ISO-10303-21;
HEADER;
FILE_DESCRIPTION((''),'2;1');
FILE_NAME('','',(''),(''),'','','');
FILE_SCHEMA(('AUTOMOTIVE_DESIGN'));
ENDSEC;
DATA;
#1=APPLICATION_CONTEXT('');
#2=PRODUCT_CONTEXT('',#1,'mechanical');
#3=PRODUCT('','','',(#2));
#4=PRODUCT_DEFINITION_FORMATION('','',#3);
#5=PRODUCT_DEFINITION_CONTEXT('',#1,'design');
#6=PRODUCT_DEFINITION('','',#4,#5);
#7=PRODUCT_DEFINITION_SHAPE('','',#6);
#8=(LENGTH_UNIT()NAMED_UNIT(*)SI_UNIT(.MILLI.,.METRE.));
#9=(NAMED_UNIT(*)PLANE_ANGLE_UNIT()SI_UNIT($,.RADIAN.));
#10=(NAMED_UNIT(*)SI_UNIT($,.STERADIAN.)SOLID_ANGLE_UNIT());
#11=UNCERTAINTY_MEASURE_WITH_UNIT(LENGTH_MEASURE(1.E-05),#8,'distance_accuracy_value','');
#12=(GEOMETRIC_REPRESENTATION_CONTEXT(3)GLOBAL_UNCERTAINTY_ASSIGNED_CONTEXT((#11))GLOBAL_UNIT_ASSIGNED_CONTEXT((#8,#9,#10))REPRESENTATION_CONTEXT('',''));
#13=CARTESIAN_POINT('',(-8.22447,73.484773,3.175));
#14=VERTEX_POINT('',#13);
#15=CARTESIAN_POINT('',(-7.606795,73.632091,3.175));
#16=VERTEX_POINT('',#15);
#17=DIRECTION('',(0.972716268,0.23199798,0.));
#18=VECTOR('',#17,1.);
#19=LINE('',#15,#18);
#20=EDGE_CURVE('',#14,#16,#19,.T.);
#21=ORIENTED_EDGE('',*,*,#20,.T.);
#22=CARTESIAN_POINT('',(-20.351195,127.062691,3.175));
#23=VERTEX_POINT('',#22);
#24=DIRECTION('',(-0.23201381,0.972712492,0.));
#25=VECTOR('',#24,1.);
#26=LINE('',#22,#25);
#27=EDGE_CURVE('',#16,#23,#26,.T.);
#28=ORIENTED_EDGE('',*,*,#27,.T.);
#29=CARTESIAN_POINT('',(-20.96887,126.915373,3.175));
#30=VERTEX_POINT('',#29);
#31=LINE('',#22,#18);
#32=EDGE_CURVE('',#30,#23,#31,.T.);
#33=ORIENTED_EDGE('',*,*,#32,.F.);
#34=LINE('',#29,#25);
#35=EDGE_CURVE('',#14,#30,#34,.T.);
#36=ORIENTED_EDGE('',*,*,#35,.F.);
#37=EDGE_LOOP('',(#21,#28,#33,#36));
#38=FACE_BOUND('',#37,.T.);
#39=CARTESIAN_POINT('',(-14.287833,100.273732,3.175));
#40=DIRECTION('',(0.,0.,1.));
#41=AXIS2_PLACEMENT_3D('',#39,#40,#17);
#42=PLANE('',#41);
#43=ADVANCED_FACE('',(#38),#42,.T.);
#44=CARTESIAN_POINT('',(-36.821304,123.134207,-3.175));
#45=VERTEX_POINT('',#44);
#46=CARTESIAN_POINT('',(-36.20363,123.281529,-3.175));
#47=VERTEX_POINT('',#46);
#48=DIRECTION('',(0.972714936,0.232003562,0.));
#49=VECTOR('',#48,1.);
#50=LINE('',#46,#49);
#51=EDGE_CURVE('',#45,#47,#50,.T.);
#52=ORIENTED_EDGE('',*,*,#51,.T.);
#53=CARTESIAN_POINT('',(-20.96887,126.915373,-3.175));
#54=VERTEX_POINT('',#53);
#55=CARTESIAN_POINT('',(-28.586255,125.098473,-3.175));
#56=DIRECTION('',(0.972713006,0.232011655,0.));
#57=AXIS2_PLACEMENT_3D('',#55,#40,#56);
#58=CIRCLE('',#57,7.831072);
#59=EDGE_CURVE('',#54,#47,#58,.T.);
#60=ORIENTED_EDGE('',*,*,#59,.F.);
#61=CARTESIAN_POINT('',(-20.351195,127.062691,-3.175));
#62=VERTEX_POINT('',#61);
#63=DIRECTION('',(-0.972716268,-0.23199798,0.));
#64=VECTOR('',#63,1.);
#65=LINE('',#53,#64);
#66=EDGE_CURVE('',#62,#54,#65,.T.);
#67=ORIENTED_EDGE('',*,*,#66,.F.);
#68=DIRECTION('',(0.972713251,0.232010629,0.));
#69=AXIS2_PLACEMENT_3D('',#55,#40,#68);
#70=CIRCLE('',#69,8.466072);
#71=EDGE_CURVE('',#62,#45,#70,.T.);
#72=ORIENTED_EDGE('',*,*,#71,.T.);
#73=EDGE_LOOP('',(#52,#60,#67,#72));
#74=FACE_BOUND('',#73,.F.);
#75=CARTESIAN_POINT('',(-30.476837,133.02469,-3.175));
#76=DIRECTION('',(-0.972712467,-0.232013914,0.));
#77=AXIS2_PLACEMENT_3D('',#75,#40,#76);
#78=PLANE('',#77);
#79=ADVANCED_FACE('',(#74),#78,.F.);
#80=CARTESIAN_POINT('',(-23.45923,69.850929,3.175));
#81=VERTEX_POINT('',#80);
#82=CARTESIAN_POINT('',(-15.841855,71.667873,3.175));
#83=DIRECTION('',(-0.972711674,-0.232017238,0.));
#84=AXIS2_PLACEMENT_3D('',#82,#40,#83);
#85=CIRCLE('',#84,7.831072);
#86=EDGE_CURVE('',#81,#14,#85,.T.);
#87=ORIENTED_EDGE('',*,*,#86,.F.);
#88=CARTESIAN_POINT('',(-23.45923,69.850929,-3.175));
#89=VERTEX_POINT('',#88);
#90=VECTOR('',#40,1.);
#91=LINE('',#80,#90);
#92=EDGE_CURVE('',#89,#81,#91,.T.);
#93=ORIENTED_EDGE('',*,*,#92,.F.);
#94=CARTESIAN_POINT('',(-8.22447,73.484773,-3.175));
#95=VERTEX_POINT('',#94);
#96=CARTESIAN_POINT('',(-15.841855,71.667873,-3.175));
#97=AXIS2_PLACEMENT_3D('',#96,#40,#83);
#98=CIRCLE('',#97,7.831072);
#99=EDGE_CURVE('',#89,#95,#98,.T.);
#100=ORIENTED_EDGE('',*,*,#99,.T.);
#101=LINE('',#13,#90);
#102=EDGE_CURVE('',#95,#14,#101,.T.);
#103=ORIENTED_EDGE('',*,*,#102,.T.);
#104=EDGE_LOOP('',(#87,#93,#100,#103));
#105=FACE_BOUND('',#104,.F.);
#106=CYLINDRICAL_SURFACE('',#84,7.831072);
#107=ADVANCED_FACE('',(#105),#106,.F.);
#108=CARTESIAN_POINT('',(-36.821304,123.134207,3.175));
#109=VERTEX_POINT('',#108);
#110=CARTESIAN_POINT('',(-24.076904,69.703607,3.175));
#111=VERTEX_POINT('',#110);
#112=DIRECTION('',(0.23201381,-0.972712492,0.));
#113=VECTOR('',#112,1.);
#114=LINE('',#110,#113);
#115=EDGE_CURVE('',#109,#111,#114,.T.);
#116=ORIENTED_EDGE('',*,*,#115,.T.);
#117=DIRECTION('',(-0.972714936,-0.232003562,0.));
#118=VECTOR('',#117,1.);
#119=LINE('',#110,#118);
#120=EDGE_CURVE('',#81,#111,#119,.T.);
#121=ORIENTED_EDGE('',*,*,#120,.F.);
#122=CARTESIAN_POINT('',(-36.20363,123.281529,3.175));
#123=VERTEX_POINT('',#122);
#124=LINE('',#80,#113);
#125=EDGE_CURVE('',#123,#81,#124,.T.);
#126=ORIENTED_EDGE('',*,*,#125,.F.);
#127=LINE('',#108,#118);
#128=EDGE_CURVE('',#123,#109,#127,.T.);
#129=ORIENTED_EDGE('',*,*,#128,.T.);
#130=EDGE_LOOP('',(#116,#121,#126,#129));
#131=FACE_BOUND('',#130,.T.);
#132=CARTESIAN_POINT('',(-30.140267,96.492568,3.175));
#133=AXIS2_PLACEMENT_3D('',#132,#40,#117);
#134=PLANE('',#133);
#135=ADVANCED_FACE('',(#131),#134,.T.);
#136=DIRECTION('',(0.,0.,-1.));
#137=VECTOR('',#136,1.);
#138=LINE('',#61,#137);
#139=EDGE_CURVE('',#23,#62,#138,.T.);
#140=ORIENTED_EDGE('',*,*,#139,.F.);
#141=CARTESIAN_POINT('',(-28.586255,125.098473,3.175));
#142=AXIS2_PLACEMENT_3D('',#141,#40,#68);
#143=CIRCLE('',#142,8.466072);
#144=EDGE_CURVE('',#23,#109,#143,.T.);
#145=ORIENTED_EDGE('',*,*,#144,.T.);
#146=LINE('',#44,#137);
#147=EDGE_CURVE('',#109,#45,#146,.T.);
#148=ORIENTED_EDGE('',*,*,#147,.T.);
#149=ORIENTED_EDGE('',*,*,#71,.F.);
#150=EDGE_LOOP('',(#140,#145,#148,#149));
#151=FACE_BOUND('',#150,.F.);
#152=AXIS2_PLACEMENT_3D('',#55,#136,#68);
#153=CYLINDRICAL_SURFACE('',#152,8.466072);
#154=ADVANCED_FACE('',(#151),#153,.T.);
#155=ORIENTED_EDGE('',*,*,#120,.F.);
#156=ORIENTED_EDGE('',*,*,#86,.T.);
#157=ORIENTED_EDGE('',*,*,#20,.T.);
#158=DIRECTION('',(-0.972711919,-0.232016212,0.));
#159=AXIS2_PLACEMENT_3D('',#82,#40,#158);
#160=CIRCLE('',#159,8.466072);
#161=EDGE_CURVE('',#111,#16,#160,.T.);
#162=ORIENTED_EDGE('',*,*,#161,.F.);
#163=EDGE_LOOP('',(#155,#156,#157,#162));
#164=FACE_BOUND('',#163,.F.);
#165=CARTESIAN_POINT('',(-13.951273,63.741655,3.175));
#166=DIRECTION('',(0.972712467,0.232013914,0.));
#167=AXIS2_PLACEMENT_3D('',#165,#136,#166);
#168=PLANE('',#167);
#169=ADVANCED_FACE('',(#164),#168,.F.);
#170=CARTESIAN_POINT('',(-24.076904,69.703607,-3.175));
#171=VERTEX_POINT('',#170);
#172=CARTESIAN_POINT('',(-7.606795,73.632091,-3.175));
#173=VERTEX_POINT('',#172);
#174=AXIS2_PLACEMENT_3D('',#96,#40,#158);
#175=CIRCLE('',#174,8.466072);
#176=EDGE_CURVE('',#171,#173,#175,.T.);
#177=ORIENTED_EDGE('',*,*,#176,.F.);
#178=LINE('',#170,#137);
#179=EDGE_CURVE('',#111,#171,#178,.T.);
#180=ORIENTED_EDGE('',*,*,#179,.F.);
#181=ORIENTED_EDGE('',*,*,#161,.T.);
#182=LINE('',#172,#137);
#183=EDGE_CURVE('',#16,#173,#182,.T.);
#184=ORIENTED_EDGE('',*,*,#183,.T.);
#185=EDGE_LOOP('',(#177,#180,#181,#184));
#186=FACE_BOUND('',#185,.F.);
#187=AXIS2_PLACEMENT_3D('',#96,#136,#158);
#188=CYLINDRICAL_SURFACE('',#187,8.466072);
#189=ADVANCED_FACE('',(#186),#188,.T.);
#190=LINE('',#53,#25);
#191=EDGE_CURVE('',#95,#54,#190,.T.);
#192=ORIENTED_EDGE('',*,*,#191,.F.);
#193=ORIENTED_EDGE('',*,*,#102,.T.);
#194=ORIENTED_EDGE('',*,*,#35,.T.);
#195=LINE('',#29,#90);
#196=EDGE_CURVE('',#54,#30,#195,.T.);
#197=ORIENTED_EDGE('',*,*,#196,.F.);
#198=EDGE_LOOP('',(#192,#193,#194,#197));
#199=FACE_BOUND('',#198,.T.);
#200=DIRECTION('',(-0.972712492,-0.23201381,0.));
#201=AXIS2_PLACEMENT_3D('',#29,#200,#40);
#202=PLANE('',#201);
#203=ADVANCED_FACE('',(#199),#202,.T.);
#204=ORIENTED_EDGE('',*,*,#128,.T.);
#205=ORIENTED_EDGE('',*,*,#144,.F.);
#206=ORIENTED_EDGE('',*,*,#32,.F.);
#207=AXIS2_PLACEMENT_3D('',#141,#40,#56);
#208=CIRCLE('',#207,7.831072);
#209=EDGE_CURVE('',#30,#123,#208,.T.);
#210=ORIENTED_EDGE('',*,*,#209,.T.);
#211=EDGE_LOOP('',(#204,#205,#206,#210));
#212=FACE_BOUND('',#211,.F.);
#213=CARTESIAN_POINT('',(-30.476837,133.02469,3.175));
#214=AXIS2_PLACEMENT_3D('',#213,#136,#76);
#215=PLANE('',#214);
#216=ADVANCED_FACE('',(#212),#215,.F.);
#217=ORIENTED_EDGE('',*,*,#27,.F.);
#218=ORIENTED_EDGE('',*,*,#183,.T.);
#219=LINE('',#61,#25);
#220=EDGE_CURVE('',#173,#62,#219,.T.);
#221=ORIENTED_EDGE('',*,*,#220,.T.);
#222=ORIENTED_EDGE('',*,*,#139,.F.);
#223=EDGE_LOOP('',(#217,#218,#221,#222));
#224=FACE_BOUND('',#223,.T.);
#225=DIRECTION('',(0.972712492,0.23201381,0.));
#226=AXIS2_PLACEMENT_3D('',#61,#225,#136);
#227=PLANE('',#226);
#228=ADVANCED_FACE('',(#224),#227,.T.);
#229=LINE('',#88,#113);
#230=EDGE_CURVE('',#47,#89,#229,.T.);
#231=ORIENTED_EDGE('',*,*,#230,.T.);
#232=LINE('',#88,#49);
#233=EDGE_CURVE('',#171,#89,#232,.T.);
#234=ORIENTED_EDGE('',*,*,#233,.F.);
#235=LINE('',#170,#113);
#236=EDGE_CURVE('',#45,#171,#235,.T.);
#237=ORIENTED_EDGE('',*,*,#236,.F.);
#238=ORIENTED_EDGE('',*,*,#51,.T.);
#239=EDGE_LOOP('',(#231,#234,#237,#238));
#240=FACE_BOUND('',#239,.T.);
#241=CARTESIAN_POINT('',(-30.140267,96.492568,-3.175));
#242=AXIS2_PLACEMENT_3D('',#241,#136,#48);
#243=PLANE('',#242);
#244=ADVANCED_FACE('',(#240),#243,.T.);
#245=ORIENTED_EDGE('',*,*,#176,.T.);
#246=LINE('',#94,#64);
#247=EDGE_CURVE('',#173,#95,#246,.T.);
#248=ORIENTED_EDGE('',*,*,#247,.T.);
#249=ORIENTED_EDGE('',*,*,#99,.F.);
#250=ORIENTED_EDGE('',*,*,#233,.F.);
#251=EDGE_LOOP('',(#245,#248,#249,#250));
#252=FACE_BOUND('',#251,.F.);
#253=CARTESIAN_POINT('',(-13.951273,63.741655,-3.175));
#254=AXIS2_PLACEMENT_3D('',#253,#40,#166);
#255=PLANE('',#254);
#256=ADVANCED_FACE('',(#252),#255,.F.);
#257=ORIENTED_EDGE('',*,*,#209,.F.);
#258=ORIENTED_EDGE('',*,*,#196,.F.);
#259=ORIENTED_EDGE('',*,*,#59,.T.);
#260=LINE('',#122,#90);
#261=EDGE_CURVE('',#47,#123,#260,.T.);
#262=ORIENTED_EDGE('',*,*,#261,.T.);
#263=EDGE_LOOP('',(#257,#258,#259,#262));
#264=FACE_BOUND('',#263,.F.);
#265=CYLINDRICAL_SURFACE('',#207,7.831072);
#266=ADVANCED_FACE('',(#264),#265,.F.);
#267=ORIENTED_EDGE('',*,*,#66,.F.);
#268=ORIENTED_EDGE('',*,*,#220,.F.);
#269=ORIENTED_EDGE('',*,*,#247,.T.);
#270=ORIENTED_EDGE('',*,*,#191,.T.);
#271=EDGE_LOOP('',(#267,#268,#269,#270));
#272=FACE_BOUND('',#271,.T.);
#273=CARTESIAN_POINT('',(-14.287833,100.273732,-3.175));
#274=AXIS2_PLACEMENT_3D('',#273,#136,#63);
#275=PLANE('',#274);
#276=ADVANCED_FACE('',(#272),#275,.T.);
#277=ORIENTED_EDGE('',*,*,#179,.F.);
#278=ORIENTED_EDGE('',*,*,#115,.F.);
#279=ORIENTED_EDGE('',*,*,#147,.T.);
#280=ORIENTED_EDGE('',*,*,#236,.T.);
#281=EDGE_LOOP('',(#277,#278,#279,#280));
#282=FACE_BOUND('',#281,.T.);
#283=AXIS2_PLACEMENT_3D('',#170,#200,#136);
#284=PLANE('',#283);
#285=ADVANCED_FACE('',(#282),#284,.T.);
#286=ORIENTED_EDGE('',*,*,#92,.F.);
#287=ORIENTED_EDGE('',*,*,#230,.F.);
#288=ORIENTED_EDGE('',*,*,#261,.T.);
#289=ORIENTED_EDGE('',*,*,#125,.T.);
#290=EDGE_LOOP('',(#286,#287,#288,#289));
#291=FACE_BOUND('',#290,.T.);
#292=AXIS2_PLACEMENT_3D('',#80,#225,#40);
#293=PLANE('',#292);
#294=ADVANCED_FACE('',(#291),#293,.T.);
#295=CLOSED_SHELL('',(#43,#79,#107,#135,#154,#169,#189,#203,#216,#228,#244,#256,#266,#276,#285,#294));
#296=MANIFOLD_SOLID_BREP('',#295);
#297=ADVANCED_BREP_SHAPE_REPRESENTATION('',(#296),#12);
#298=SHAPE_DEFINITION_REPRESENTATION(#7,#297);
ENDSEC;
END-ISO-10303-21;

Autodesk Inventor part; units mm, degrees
sketch "Sketch Path" plane through (0, 0, 0) normal (0, 0, 1) x (1, 0, 0)
  arc A0 (-20.7218, 126.9743) -> (-36.4507, 123.2226) centre (-28.5863, 125.0984) ccw
  arc A1 (-23.7063, 69.792) -> (-7.9774, 73.5437) centre (-15.8419, 71.6678) ccw
  line L0 (-23.7063, 69.792) -> (-36.4507, 123.2226)
  line L1 (-20.7218, 126.9743) -> (-7.9774, 73.5437)
ref_plane "Cross Section Plane" through (-36.4507, 123.2226, 0) normal (0.232, -0.9727, 0) x (0, 0, 1)
ref_plane "Work Plane2" through (-28.5863, 125.0984, 0) normal (-1, 0, 0) x (0, 0, 1)
ref_plane "Work Plane3" through (-15.8419, 71.6678, 0) normal (-0.0709, 0.9975, 0) x (0, 0, 1)
sketch "Cross Section" plane through (-36.4507, 123.2226, 0) normal (0.232, -0.9727, 0) x (0, 0, 1)
  line L0 (-3.175, 0.381) -> (3.175, 0.381)
  line L1 (3.175, 0.381) -> (3.175, -0.254)
  line L2 (3.175, -0.254) -> (-3.175, -0.254)
  line L3 (-3.175, -0.254) -> (-3.175, 0.381)
  line L4 (-3.175, 0) -> (3.175, 0) construction
  point P0 (0, 0)
  point P1 (0, 0)
  dimension "d0" = 6.35
  dimension "d4" = 0.254
  dimension "d5" = 0.381
sweep "Belt" add profiles "Cross Section" path "Sketch Path"
equation "\"d0\" = da_B"
equation "\"d4\" = da_a"
equation "\"d5\" = da_a2"
equation "\"da_B\" = 6.35"
equation "\"da_pb\" = 2.032"
equation "\"da_L\" = 160.659"
equation "\"da_a\" = 0.254"
equation "\"da_S\" = 1.143"
equation "\"da_Beta\" = 20deg"
equation "\"da_Ht\" = 0.508"
equation "\"da_H\" = 1.143"
equation "\"da_a2\" = 0.381"
properties part number "Synchronous Belt" material "Rubber"
